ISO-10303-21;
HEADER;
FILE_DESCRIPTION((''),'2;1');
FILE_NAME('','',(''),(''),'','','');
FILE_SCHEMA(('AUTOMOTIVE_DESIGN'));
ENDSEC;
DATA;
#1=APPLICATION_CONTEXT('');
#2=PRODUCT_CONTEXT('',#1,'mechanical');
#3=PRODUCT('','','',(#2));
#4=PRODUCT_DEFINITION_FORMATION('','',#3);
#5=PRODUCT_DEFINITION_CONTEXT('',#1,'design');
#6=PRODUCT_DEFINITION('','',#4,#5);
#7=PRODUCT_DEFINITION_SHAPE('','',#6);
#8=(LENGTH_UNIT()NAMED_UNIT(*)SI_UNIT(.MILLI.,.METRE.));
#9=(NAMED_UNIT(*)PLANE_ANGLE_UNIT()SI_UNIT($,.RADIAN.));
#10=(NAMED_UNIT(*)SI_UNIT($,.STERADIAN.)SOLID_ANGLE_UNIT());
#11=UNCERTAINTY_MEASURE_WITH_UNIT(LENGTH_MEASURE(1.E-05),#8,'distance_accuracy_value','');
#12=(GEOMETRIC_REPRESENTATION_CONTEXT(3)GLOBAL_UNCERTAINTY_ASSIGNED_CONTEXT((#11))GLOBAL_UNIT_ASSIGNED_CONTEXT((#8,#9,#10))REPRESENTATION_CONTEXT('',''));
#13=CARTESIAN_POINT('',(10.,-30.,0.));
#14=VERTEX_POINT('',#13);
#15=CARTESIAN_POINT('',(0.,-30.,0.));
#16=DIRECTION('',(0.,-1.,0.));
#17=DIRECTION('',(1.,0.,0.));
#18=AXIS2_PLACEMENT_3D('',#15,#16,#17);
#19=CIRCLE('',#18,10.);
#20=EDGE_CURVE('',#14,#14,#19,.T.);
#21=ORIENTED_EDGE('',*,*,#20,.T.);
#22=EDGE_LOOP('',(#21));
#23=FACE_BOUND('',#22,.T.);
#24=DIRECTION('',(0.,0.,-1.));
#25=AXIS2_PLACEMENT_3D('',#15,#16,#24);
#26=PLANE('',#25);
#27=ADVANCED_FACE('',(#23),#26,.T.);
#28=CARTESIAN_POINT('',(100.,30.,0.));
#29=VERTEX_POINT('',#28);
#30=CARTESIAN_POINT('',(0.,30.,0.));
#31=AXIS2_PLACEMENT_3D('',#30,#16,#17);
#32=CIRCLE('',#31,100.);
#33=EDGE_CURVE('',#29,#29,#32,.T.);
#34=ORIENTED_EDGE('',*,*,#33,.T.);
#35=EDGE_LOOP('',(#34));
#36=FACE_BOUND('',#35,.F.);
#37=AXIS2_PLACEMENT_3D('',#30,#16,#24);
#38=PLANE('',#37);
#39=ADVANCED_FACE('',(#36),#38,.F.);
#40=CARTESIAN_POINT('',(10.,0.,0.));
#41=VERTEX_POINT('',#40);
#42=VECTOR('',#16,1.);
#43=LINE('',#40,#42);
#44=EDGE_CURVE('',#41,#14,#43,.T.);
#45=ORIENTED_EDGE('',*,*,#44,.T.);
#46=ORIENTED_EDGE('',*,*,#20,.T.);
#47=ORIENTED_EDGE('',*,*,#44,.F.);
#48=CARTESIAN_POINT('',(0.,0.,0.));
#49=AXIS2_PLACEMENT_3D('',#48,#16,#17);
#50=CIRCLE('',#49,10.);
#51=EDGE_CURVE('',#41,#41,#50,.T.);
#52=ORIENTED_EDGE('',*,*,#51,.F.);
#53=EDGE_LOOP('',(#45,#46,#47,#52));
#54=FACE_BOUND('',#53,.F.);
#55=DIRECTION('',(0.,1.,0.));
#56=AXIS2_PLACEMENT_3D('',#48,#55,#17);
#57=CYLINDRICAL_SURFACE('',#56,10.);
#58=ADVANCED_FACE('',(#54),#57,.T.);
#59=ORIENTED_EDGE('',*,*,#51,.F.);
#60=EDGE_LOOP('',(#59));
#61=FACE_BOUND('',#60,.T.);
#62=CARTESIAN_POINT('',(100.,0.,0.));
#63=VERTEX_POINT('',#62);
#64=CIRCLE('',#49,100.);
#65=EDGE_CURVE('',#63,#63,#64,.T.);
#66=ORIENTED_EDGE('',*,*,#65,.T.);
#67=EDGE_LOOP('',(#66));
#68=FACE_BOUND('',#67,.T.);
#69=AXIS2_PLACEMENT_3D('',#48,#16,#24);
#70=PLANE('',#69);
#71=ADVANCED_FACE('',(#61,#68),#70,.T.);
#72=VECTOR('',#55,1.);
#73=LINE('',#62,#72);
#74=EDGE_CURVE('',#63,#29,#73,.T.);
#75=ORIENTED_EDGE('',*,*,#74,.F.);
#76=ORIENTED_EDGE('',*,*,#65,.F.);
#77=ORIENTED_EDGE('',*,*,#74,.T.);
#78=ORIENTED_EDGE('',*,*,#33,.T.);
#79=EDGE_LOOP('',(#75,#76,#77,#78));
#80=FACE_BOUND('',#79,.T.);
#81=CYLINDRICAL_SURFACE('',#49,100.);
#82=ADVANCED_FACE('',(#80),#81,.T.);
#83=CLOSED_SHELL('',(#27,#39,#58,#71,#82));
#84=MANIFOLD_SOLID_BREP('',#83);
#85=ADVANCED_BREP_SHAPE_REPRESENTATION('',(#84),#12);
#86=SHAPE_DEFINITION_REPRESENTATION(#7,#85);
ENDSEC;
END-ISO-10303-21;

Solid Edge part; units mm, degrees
sketch "Sketch1" plane through (0, 0, 0) normal (0, -1, 0) x (1, 0, 0)
  circle A0 centre (0, 0) radius 100
extrude "Protrusion1" add sketch "Sketch1" against normal blind 30
sketch "Sketch2" plane through (0, 0, 0) normal (0, -1, 0) x (1, 0, 0)
  circle A0 centre (0, 0) radius 10
  dimension "D1" = 20
extrude "ExtrudedProtrusion_2" add sketch "Sketch2" along normal blind 30
properties material "Stainless steel"
